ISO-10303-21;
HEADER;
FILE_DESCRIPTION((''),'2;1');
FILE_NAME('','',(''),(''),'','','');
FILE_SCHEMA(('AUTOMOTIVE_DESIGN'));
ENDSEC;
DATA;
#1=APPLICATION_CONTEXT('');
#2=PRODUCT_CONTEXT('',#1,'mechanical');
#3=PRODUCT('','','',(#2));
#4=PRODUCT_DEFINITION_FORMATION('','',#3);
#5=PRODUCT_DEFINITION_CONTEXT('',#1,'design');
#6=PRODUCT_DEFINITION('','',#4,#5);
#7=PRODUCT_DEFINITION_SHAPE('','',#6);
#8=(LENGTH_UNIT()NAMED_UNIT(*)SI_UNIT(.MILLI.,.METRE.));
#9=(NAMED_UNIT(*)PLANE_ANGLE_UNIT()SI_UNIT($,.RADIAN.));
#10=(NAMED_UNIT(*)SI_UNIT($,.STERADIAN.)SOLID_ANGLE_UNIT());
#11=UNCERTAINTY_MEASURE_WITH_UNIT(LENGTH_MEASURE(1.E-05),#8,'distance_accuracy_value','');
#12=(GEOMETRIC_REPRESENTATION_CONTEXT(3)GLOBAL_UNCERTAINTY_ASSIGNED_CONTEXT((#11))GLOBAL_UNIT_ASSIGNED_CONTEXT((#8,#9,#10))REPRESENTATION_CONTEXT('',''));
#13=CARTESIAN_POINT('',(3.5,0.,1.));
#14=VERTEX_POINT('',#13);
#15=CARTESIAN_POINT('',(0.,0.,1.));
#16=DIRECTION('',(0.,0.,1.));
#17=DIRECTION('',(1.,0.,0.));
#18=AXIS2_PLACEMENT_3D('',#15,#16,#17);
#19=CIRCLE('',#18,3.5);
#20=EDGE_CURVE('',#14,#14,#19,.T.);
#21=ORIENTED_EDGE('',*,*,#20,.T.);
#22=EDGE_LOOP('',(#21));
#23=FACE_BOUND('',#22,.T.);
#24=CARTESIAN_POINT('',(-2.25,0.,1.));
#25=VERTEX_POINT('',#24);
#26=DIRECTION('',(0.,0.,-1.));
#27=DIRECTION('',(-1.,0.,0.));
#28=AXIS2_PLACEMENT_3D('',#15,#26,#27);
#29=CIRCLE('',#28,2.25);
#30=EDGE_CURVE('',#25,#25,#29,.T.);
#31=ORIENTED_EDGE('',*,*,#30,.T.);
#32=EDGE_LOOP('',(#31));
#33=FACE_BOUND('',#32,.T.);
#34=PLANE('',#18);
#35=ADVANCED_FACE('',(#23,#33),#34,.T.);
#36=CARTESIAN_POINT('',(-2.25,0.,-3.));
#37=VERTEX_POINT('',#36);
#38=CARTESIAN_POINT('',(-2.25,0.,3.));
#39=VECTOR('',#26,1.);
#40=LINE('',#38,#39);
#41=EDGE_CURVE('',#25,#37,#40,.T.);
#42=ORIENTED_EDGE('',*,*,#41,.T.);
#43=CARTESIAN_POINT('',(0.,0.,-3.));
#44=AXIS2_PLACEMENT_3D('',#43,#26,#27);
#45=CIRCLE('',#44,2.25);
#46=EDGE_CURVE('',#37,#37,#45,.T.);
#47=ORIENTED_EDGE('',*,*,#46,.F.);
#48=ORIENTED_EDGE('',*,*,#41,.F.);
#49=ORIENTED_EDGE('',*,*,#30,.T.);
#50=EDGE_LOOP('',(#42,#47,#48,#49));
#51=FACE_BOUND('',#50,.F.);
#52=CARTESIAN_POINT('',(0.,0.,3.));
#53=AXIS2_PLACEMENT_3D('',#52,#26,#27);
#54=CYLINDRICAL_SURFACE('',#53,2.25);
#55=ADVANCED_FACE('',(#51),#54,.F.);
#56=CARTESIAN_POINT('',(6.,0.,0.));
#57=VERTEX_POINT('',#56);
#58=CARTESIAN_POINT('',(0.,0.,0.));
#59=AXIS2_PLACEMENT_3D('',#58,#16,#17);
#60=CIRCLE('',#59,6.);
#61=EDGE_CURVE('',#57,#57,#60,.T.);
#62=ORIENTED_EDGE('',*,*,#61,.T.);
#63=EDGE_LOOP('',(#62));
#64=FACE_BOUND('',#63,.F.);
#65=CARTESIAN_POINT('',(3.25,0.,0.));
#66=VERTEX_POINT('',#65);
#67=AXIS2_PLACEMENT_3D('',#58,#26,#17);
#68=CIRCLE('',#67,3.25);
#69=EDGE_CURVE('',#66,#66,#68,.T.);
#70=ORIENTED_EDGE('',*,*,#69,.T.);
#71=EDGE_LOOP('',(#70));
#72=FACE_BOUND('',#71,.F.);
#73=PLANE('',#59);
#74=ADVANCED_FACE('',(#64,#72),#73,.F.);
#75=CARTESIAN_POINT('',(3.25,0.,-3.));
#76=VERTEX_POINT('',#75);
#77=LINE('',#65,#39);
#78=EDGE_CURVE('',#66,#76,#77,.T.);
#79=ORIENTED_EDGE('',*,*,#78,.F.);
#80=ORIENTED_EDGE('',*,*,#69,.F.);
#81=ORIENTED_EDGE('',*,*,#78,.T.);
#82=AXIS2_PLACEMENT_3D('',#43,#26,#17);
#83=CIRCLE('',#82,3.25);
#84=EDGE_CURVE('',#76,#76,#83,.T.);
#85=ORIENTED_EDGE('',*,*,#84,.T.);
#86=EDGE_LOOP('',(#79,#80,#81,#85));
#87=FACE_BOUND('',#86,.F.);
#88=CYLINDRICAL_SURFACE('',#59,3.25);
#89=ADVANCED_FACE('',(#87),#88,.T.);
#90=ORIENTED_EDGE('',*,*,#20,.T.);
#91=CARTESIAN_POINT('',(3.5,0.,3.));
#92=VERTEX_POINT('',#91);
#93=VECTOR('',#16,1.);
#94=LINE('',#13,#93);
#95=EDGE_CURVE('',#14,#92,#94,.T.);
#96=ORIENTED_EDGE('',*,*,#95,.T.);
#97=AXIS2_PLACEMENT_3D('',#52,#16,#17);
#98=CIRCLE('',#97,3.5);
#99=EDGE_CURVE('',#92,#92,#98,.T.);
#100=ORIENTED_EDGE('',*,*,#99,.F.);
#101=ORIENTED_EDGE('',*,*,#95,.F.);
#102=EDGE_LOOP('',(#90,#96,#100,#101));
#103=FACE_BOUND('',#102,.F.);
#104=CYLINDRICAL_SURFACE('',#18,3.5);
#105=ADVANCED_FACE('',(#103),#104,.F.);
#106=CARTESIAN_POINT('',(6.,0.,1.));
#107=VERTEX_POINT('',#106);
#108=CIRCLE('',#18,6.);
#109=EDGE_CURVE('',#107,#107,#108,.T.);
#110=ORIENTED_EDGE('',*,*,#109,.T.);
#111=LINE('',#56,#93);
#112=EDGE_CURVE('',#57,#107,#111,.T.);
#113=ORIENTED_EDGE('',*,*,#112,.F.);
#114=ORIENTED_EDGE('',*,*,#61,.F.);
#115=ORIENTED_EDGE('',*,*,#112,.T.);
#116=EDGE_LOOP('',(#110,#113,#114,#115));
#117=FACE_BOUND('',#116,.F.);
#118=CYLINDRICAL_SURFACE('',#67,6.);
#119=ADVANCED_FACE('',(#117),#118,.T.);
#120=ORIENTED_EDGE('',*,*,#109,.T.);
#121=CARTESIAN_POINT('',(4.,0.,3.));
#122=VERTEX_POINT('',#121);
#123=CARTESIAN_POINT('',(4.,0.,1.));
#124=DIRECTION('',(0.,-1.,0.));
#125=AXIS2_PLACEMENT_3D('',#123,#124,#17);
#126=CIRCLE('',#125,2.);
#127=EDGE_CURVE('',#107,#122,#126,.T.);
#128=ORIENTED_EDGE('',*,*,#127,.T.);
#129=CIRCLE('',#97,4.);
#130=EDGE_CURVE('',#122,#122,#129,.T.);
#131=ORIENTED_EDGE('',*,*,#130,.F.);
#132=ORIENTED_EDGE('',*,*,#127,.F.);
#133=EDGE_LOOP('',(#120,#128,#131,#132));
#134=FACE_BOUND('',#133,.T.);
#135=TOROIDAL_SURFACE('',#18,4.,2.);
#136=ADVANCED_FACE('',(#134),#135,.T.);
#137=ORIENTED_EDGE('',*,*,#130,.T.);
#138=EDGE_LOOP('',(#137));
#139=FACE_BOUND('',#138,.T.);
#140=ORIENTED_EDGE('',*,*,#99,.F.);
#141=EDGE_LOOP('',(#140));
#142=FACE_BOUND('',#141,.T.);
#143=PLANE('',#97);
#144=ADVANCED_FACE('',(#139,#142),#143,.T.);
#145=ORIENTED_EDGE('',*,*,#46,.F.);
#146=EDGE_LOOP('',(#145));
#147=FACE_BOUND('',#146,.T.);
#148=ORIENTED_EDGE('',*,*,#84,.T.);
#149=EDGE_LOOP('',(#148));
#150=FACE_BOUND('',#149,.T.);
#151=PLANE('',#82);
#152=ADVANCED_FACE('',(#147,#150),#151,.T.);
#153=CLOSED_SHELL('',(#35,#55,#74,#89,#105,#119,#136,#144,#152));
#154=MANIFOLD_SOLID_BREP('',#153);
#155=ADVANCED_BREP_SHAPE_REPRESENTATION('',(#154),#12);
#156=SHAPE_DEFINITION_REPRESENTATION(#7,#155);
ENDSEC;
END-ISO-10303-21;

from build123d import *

# Parameters (mm, degrees)
SKETCH_R         = 6
PAD_DEPTH        = 3
SKETCH002_R      = 3.25
PAD001_DEPTH     = 3
HOLE_D           = 4.5
HOLE_DEPTH       = 25
HOLE_CBORE_D     = 7
HOLE_CBORE_DEPTH = 2
FILLET_R         = 2


with BuildPart() as part:
    # Sketch → Pad (new body)
    with BuildSketch(Plane.XY):
        Circle(SKETCH_R)
    extrude(amount=PAD_DEPTH)

    # Sketch002 → Pad001 (join)
    with BuildSketch(Plane(origin=(0, 0, 0), x_dir=(1, 0, 0), z_dir=(0, 0, -1))):
        Circle(SKETCH002_R)
    extrude(amount=PAD001_DEPTH)

    # Hole
    with Locations(Plane.XY.offset(3)):
        with Locations((0, 0)):
            CounterBoreHole(HOLE_D / 2, HOLE_CBORE_D / 2, HOLE_CBORE_DEPTH, depth=HOLE_DEPTH)

    # Fillet
    fillet_edges = [part.edges().sort_by_distance(p)[0] for p in [
        (-6, 0, 3),
    ]]
    fillet(fillet_edges, radius=FILLET_R)


solid = part.part
